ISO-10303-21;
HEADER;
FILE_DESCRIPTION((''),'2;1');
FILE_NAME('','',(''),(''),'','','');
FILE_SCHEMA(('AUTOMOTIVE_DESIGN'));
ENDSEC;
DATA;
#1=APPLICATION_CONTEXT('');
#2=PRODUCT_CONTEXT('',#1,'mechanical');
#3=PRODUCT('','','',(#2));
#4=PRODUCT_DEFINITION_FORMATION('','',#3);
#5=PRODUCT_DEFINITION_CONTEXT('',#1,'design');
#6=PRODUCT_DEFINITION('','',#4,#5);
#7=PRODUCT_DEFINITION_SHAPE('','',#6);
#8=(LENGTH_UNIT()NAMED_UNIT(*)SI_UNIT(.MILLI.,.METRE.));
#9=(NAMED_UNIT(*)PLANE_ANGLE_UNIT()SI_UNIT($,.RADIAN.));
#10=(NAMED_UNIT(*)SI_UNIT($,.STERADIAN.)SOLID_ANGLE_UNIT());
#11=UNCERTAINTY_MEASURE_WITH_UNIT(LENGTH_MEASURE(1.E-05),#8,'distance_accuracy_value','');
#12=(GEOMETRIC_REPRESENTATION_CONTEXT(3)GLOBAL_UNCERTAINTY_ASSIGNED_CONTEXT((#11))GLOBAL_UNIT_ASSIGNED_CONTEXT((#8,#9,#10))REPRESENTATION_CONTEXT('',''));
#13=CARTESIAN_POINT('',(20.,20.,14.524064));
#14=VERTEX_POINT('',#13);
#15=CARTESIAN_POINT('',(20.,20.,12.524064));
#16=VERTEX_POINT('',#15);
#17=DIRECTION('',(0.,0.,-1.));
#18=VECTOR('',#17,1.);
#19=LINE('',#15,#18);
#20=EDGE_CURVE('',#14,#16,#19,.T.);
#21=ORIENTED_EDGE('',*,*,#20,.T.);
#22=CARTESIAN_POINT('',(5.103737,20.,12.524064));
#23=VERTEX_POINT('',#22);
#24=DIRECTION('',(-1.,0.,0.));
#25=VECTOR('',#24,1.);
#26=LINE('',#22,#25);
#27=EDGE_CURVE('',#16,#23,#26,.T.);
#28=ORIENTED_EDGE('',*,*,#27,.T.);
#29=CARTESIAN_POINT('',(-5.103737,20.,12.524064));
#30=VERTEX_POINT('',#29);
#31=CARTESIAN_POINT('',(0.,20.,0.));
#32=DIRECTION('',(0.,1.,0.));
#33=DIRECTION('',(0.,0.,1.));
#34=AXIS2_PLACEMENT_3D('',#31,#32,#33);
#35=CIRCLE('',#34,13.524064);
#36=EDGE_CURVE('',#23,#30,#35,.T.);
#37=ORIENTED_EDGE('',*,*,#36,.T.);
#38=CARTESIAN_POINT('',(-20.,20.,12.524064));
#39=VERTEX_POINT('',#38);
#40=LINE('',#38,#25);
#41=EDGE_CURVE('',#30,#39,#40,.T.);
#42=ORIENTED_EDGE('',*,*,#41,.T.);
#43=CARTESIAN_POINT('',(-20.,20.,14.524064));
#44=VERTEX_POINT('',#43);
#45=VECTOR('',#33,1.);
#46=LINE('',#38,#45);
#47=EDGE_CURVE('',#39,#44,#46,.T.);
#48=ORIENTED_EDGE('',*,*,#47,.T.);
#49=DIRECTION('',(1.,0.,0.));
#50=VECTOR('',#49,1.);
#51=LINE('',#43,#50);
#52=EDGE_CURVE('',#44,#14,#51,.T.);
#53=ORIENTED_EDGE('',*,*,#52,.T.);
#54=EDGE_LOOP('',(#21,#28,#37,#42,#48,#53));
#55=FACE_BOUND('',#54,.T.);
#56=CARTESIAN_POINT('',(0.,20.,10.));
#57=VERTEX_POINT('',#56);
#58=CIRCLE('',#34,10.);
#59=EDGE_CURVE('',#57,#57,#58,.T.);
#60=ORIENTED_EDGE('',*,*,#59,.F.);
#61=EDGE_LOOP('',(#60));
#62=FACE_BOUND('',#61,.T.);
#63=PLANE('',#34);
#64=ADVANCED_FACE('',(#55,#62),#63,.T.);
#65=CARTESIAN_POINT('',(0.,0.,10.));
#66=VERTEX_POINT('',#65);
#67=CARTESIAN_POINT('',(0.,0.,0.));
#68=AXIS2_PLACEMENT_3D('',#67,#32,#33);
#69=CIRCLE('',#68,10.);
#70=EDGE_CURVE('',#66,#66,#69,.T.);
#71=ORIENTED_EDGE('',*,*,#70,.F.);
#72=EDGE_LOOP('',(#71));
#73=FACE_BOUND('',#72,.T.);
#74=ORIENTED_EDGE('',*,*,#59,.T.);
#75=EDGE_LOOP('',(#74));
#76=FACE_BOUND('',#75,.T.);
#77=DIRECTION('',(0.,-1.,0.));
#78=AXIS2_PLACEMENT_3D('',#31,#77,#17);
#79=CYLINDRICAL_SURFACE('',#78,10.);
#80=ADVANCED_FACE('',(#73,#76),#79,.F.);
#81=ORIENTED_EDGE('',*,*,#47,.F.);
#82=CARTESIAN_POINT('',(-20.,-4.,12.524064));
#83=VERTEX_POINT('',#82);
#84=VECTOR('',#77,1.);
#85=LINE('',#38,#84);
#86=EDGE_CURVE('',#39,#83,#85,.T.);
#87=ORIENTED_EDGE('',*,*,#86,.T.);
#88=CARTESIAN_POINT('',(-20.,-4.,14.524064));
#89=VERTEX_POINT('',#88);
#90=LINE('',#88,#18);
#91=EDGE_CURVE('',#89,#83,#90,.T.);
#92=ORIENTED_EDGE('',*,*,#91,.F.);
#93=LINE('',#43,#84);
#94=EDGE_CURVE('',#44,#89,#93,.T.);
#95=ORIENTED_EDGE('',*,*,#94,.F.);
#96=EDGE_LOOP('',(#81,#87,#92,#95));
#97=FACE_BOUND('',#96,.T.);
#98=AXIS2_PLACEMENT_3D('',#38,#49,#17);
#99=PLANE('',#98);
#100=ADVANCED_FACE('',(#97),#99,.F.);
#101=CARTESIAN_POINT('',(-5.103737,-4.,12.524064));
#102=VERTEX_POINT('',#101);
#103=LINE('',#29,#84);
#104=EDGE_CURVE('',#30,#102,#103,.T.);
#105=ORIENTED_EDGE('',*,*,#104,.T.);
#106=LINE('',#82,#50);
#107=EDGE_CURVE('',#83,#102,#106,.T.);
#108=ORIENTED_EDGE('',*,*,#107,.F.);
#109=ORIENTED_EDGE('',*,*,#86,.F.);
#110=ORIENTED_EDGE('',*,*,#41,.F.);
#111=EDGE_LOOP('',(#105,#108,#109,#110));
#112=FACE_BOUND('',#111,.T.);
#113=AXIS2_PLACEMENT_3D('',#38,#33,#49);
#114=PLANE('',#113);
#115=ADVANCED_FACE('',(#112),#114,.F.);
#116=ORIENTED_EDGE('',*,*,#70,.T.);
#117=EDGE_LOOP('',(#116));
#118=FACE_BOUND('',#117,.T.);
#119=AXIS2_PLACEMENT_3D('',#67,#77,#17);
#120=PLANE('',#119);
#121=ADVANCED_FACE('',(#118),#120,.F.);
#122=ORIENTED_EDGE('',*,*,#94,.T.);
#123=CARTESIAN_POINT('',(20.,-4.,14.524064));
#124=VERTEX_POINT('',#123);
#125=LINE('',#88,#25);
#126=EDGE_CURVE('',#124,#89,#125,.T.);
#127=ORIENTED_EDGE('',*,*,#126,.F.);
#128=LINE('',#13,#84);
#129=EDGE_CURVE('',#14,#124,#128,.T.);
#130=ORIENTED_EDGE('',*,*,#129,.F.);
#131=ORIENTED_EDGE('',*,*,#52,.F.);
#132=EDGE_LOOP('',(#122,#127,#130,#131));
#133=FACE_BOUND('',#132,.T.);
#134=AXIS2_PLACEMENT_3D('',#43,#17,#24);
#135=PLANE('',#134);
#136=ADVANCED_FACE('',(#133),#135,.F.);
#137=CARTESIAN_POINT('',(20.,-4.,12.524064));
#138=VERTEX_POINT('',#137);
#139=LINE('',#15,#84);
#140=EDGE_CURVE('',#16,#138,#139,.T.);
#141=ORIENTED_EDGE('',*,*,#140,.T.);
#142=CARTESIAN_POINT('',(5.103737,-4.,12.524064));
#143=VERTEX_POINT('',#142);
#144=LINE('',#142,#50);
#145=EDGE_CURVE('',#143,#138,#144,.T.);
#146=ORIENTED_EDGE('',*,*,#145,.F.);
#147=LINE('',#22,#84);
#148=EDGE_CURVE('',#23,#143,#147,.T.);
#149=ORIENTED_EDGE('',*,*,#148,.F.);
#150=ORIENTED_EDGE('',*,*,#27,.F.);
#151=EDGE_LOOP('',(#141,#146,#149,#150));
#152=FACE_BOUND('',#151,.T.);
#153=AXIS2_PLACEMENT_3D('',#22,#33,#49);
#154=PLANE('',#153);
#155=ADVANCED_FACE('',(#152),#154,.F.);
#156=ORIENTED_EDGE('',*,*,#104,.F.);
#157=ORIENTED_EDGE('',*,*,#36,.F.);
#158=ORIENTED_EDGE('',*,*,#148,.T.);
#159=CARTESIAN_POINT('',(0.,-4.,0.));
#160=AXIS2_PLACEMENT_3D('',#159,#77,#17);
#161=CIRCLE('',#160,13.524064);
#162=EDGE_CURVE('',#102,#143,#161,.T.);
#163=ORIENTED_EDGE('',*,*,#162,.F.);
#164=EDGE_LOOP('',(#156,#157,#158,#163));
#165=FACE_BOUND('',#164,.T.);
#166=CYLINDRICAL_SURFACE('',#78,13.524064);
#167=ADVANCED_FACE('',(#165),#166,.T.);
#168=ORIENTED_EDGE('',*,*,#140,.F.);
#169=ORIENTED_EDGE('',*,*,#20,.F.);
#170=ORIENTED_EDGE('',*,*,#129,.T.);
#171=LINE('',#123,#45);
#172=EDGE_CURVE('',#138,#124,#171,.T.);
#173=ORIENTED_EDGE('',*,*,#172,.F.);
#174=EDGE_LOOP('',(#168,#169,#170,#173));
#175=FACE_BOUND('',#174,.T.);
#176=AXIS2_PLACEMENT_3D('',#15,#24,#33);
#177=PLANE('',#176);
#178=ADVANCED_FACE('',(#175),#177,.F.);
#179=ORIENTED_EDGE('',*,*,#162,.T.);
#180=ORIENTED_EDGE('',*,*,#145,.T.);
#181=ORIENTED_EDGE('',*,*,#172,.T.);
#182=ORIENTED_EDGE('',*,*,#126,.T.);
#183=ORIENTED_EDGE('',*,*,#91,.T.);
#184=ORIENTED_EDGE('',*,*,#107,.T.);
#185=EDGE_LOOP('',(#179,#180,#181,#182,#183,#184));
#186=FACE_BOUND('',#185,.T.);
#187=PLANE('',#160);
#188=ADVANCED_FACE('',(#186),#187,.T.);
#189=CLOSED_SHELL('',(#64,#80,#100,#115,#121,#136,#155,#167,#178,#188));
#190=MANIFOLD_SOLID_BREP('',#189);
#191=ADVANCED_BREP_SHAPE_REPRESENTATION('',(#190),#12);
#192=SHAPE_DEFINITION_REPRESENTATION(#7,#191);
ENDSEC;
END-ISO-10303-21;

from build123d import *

# Parameters (mm, degrees)
SKETCH1_R           = 10
BOSS_EXTRUDE1_DEPTH = 20
BOSS_EXTRUDE2_START = 4
BOSS_EXTRUDE2_DEPTH = 4


with BuildPart() as part:
    # Sketch1 → Boss-Extrude1 (new body)
    with BuildSketch(Plane(origin=(0, 0, 0), x_dir=(1, 0, 0), z_dir=(0, 1, 0))):
        with BuildLine():
            Line((5.103736684, -12.52406407), (20, -12.52406407))
            Line((20, -12.52406407), (20, -14.52406407))
            Line((20, -14.52406407), (-20, -14.52406407))
            Line((-20, -14.52406407), (-20, -12.52406407))
            Line((-20, -12.52406407), (-5.103736684, -12.52406407))
            ThreePointArc((-5.103736684, -12.52406407), (0, 13.52406407), (5.103736684, -12.52406407))
        make_face()
        with Locations(Location((0, 0, 0), (0, 0, 270))):
            Circle(SKETCH1_R, mode=Mode.SUBTRACT)
    extrude(amount=BOSS_EXTRUDE1_DEPTH)

    # Sketch2 → Boss-Extrude2 (add)
    with BuildSketch(Plane.XZ.offset(BOSS_EXTRUDE2_START)):
        with BuildLine():
            Line((5.103736684, 12.52406407), (20, 12.52406407))
            Line((20, 12.52406407), (20, 14.52406407))
            Line((20, 14.52406407), (-20, 14.52406407))
            Line((-20, 14.52406407), (-20, 12.52406407))
            Line((-20, 12.52406407), (-5.103736684, 12.52406407))
            ThreePointArc((-5.103736684, 12.52406407), (0, -13.52406407), (5.103736684, 12.52406407))
        make_face()
    extrude(amount=-BOSS_EXTRUDE2_DEPTH)


solid = part.part
